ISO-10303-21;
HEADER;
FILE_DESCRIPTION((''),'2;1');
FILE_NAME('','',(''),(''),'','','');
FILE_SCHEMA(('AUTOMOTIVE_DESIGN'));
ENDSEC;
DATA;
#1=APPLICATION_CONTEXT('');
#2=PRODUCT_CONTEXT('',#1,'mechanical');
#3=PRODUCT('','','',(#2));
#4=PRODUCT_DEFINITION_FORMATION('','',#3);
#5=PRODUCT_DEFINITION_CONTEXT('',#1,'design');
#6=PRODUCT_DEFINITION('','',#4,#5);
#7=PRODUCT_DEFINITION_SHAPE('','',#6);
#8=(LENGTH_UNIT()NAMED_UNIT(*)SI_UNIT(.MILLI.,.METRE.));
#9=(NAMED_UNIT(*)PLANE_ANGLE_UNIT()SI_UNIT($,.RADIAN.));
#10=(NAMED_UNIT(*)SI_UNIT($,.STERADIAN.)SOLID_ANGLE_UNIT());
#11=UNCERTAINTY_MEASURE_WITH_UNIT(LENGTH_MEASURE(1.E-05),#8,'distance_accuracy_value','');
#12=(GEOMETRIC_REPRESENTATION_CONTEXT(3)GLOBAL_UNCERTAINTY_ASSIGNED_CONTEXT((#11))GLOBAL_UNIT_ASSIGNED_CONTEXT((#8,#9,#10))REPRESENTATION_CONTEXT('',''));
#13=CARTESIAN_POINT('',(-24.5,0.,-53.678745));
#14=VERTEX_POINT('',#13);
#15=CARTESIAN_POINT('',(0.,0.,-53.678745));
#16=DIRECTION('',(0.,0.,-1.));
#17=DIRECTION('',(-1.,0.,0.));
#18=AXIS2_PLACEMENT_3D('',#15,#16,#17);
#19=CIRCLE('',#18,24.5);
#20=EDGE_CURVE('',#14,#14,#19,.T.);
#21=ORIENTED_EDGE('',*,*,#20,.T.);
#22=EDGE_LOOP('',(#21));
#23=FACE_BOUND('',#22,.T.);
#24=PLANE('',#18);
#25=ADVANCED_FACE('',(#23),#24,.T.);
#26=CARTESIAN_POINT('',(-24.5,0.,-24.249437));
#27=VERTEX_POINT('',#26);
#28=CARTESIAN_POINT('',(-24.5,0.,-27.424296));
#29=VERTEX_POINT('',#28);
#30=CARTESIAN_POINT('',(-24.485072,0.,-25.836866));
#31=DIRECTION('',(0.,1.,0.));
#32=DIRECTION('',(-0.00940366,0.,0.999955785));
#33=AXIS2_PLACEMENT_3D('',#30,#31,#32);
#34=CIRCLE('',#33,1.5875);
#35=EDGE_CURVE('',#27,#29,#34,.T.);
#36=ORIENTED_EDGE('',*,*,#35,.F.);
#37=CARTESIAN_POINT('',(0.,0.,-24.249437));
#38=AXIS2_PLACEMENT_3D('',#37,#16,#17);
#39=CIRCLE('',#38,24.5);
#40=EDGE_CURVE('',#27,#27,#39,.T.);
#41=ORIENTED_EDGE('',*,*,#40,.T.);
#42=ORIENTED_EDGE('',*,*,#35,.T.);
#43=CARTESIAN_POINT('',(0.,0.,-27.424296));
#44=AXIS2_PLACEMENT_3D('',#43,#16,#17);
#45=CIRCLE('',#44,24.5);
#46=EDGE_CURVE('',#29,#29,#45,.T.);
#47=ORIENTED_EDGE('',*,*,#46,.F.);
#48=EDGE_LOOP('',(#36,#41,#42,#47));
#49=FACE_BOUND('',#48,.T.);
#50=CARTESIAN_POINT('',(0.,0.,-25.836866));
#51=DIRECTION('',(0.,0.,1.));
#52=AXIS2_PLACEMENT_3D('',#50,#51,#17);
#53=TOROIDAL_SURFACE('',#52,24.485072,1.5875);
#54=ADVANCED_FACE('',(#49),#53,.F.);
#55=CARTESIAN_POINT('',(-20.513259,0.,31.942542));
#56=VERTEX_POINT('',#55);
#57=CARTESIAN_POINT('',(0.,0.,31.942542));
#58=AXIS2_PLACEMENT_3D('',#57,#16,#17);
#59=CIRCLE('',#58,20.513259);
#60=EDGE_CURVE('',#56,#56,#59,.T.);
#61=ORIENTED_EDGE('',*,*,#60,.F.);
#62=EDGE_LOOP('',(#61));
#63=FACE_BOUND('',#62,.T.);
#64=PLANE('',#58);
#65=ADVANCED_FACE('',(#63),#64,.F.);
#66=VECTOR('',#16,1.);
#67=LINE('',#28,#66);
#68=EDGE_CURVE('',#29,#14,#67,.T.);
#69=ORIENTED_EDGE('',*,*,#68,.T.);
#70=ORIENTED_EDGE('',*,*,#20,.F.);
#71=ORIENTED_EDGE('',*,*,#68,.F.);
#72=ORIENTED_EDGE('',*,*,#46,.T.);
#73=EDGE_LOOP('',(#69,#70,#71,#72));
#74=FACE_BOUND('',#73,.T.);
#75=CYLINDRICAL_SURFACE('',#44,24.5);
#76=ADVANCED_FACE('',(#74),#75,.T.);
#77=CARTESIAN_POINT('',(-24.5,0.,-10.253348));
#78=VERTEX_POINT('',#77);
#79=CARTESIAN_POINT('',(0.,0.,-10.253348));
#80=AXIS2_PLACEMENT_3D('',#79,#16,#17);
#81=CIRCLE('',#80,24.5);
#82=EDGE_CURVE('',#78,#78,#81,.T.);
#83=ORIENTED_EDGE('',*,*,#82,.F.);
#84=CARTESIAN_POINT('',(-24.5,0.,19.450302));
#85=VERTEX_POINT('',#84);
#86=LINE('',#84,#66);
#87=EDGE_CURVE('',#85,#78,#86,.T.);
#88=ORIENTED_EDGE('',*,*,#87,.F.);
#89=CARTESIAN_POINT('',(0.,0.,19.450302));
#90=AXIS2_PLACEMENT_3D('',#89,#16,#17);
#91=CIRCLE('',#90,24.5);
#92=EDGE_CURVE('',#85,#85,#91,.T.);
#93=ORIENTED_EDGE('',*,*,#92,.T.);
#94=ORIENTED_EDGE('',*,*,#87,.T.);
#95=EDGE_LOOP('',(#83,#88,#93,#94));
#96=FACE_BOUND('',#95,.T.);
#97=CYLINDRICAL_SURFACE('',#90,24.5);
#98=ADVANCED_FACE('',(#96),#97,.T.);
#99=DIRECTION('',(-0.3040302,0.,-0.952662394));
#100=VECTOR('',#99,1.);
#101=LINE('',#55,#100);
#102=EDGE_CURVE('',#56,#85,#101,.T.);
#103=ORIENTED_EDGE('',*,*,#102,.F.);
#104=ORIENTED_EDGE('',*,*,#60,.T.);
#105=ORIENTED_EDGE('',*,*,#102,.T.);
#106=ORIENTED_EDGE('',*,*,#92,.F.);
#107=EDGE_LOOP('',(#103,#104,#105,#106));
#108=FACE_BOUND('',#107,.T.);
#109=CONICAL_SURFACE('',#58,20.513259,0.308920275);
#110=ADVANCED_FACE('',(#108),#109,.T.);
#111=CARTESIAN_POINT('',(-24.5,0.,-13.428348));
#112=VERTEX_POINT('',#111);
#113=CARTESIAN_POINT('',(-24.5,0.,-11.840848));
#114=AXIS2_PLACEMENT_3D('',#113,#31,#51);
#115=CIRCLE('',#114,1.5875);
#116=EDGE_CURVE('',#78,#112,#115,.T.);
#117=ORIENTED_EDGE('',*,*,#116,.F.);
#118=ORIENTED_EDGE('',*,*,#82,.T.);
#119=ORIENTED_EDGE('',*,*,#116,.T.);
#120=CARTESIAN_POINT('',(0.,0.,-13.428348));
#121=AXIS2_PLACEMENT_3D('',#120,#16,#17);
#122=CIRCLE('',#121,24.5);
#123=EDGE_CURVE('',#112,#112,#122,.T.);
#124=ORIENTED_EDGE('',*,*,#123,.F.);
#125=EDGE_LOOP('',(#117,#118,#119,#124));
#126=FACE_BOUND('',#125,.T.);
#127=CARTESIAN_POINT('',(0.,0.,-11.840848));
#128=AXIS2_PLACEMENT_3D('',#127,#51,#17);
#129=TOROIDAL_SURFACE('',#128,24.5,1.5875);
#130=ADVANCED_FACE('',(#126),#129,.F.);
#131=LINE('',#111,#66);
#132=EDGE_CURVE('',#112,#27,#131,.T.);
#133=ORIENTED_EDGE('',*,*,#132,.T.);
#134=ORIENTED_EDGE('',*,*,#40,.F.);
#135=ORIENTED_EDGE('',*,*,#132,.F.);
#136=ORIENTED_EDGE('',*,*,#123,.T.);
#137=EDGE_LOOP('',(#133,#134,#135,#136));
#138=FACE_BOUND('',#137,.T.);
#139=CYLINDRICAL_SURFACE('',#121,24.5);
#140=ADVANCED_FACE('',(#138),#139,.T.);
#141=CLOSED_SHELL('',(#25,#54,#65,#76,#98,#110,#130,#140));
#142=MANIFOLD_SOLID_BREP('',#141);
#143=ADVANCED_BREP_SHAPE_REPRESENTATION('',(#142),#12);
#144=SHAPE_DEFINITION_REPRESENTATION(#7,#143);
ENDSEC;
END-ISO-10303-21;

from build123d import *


with BuildPart() as f1:
    # F0 (on Front) → F1 (revolve)
    with BuildSketch(Plane.XZ):
        with BuildLine():
            Line((-24.5, -27.424296), (-24.5, -53.678745))
            Line((-24.5, -53.678745), (0, -53.678745))
            Line((0, -53.678745), (0, 31.942542))
            Line((0, 31.942542), (-20.513259, 31.942542))
            Line((-20.513259, 31.942542), (-24.5, 19.450302))
            Line((-24.5, 19.450302), (-24.5, -10.253348))
            ThreePointArc((-24.5, -10.253348), (-22.9125, -11.840848), (-24.5, -13.428348))
            Line((-24.5, -13.428348), (-24.5, -24.249437))
            ThreePointArc((-24.5, -24.249437), (-22.897572, -25.836866), (-24.5, -27.424296))
        make_face()
    revolve(axis=Axis((0, 0, 13.345955), (0, 0, -1)))


solid = f1.part
